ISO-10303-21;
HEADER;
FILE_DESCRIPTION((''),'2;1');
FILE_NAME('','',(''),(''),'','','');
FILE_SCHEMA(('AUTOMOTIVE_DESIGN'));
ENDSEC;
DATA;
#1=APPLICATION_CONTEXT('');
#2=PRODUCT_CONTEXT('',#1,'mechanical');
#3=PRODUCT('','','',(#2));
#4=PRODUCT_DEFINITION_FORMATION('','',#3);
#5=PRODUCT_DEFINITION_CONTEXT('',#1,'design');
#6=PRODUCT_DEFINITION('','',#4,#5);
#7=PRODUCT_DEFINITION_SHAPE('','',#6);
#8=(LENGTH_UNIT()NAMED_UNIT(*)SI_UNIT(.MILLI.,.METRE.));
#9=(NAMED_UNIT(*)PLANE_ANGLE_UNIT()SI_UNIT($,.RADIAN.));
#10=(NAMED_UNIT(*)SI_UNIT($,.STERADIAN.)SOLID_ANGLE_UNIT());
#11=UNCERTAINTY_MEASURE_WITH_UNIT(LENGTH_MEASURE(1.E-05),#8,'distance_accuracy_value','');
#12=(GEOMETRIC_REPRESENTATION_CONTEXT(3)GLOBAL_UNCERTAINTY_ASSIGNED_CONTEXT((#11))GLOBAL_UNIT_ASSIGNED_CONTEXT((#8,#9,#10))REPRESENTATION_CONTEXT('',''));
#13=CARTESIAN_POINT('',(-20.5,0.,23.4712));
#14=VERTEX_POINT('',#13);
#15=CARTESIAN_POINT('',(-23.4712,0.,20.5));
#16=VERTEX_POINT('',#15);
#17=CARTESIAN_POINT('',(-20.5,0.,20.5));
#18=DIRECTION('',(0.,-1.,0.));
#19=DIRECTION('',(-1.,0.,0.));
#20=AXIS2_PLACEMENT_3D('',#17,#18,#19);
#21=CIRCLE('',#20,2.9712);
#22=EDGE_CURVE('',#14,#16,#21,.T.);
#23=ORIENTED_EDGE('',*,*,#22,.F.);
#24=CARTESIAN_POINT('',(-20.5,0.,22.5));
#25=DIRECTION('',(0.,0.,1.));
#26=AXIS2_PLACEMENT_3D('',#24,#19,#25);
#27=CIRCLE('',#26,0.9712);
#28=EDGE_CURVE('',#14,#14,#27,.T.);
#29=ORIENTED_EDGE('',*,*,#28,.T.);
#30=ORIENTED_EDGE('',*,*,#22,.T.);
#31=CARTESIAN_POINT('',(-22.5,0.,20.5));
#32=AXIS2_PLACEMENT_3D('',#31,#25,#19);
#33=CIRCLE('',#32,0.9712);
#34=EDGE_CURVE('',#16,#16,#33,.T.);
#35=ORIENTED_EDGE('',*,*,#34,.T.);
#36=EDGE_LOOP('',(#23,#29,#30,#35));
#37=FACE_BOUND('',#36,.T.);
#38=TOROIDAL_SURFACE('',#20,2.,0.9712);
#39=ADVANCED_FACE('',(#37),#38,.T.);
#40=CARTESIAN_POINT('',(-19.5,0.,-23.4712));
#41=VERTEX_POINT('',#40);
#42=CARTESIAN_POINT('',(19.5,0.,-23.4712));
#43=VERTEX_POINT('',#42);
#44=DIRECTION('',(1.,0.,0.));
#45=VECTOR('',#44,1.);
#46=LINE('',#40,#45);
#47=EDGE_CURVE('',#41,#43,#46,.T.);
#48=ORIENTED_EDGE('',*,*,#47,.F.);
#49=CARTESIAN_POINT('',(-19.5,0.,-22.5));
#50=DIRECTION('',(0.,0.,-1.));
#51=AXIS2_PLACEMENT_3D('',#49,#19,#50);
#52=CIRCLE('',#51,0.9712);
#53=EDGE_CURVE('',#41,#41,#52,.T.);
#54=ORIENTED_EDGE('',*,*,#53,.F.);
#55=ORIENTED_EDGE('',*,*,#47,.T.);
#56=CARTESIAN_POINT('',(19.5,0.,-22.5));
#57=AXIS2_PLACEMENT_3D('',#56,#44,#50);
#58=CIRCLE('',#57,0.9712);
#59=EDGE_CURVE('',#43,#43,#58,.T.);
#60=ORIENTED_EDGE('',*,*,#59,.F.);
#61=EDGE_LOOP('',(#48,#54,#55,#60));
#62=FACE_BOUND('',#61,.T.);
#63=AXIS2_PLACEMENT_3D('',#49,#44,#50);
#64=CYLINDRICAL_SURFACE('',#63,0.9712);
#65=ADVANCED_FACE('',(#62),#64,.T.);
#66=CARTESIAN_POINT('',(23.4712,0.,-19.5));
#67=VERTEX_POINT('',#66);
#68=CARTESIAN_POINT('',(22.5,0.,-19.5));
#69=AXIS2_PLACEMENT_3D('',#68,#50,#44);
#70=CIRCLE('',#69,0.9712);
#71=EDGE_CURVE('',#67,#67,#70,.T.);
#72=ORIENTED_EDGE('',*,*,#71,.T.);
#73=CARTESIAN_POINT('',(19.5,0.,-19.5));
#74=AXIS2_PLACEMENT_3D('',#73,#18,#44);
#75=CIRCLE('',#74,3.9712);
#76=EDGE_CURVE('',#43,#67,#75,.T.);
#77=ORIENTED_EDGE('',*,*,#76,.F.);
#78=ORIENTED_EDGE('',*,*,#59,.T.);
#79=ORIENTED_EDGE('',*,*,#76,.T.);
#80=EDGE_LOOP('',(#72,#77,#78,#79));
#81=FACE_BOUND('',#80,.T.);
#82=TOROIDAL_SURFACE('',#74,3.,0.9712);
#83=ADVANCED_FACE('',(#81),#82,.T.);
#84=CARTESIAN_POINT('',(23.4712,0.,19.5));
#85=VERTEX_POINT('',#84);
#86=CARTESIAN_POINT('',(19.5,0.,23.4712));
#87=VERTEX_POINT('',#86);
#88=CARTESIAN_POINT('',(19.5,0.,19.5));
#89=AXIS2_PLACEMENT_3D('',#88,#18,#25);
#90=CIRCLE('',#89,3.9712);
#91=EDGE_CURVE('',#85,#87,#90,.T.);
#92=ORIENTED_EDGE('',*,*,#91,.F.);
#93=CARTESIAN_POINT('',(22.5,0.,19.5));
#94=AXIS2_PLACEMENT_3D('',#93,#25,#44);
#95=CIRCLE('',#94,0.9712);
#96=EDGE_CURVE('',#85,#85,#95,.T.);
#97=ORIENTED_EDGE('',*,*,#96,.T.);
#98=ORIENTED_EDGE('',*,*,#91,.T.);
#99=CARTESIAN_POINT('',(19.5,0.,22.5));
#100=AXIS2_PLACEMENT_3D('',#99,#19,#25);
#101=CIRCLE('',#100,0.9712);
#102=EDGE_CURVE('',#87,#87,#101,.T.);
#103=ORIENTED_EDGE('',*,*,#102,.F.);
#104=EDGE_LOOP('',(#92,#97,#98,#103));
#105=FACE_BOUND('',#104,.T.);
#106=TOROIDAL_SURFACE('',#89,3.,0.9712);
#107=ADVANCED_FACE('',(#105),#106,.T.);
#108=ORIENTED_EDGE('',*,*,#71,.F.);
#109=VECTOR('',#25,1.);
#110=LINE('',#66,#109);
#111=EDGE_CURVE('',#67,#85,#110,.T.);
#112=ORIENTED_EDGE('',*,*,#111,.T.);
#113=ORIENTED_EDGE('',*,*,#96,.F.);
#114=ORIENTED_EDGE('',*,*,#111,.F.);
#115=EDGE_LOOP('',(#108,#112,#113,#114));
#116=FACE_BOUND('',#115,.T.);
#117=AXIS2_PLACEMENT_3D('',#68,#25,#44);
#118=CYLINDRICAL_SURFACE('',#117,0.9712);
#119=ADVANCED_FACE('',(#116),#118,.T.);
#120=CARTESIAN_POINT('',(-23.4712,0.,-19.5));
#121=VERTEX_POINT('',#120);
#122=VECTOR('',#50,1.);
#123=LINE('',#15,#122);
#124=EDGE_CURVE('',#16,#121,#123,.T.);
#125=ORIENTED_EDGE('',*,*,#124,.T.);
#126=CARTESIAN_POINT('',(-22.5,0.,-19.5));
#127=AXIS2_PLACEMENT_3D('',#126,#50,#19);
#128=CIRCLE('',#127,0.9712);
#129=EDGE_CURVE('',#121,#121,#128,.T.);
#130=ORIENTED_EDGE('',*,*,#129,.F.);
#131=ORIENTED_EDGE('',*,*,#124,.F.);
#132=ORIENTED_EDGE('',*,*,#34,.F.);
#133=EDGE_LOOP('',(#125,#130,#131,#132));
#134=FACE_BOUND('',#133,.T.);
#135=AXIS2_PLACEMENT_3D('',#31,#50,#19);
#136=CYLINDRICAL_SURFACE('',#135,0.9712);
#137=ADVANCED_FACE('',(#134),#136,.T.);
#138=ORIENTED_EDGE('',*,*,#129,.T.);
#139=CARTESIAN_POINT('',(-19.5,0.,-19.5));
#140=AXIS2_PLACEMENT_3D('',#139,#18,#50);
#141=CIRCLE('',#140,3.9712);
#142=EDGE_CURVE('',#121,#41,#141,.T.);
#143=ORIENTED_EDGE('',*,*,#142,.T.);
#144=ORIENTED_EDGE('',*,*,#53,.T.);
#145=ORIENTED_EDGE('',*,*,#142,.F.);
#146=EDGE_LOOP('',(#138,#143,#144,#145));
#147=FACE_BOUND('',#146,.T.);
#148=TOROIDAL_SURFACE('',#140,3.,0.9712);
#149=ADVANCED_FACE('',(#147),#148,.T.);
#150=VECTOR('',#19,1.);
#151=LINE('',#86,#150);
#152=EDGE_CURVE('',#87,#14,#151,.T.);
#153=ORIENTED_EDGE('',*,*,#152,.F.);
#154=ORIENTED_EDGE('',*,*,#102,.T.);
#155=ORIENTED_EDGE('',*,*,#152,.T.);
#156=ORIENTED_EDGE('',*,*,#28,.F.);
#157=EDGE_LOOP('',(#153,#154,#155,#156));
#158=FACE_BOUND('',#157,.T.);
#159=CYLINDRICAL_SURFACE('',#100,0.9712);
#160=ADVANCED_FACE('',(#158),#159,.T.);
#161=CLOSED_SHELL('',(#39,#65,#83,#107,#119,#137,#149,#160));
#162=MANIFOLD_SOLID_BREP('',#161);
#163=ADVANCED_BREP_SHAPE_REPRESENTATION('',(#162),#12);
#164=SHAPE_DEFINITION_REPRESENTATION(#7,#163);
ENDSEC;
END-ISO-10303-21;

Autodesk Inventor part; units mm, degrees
ref_plane "YZ Plane" through (0, 0, 0) normal (1, 0, 0) x (0, 1, 0)
ref_plane "XZ Plane" through (0, 0, 0) normal (0, 1, 0) x (-1, 0, 0)
ref_plane "XY Plane" through (0, 0, 0) normal (0, 0, 1) x (1, 0, 0)
sketch "Sketch1" plane through (0, 0, 0) normal (0, 1, 0) x (-1, 0, 0)
  line L0 (-19.5, 22.5) -> (20.5, 22.5)
  line L1 (22.5, 20.5) -> (22.5, -19.5)
  line L2 (19.5, -22.5) -> (-19.5, -22.5)
  line L3 (-22.5, -19.5) -> (-22.5, 19.5)
  line L4 (-22.5, 22.5) -> (22.5, -22.5) construction
  line L5 (22.5, 22.5) -> (-22.5, -22.5) construction
  arc A0 (22.5, 20.5) -> (20.5, 22.5) centre (20.5, 20.5) ccw
  arc A1 (19.5, -22.5) -> (22.5, -19.5) centre (19.5, -19.5) ccw
  arc A2 (-22.5, -19.5) -> (-19.5, -22.5) centre (-19.5, -19.5) ccw
  arc A3 (-19.5, 22.5) -> (-22.5, 19.5) centre (-19.5, 19.5) ccw
  point P0 (0, 0)
  dimension "d0" = 45
  dimension "d1" = 45
  dimension "d2" = 2
  dimension "d3" = 3
sketch "Sketch2" plane through (0, 0, 0) normal (0, 0, 1) x (1, 0, 0)
  point P0 (0, 0)
sketch "Sketch3" plane through (0, 0, 0) normal (0, 0, 1) x (1, 0, 0)
  circle A0 centre (22.5, 0) radius 0.9712
  point P0 (0, 0)
  dimension "d5" = 22.5
sweep "Sweep1" add profiles "Sketch3" path "Sketch1"
equation "\"d1\" = d0"
equation "\"d5\" = 0.5 * d1"
properties part number "rfCoilSmaller"
